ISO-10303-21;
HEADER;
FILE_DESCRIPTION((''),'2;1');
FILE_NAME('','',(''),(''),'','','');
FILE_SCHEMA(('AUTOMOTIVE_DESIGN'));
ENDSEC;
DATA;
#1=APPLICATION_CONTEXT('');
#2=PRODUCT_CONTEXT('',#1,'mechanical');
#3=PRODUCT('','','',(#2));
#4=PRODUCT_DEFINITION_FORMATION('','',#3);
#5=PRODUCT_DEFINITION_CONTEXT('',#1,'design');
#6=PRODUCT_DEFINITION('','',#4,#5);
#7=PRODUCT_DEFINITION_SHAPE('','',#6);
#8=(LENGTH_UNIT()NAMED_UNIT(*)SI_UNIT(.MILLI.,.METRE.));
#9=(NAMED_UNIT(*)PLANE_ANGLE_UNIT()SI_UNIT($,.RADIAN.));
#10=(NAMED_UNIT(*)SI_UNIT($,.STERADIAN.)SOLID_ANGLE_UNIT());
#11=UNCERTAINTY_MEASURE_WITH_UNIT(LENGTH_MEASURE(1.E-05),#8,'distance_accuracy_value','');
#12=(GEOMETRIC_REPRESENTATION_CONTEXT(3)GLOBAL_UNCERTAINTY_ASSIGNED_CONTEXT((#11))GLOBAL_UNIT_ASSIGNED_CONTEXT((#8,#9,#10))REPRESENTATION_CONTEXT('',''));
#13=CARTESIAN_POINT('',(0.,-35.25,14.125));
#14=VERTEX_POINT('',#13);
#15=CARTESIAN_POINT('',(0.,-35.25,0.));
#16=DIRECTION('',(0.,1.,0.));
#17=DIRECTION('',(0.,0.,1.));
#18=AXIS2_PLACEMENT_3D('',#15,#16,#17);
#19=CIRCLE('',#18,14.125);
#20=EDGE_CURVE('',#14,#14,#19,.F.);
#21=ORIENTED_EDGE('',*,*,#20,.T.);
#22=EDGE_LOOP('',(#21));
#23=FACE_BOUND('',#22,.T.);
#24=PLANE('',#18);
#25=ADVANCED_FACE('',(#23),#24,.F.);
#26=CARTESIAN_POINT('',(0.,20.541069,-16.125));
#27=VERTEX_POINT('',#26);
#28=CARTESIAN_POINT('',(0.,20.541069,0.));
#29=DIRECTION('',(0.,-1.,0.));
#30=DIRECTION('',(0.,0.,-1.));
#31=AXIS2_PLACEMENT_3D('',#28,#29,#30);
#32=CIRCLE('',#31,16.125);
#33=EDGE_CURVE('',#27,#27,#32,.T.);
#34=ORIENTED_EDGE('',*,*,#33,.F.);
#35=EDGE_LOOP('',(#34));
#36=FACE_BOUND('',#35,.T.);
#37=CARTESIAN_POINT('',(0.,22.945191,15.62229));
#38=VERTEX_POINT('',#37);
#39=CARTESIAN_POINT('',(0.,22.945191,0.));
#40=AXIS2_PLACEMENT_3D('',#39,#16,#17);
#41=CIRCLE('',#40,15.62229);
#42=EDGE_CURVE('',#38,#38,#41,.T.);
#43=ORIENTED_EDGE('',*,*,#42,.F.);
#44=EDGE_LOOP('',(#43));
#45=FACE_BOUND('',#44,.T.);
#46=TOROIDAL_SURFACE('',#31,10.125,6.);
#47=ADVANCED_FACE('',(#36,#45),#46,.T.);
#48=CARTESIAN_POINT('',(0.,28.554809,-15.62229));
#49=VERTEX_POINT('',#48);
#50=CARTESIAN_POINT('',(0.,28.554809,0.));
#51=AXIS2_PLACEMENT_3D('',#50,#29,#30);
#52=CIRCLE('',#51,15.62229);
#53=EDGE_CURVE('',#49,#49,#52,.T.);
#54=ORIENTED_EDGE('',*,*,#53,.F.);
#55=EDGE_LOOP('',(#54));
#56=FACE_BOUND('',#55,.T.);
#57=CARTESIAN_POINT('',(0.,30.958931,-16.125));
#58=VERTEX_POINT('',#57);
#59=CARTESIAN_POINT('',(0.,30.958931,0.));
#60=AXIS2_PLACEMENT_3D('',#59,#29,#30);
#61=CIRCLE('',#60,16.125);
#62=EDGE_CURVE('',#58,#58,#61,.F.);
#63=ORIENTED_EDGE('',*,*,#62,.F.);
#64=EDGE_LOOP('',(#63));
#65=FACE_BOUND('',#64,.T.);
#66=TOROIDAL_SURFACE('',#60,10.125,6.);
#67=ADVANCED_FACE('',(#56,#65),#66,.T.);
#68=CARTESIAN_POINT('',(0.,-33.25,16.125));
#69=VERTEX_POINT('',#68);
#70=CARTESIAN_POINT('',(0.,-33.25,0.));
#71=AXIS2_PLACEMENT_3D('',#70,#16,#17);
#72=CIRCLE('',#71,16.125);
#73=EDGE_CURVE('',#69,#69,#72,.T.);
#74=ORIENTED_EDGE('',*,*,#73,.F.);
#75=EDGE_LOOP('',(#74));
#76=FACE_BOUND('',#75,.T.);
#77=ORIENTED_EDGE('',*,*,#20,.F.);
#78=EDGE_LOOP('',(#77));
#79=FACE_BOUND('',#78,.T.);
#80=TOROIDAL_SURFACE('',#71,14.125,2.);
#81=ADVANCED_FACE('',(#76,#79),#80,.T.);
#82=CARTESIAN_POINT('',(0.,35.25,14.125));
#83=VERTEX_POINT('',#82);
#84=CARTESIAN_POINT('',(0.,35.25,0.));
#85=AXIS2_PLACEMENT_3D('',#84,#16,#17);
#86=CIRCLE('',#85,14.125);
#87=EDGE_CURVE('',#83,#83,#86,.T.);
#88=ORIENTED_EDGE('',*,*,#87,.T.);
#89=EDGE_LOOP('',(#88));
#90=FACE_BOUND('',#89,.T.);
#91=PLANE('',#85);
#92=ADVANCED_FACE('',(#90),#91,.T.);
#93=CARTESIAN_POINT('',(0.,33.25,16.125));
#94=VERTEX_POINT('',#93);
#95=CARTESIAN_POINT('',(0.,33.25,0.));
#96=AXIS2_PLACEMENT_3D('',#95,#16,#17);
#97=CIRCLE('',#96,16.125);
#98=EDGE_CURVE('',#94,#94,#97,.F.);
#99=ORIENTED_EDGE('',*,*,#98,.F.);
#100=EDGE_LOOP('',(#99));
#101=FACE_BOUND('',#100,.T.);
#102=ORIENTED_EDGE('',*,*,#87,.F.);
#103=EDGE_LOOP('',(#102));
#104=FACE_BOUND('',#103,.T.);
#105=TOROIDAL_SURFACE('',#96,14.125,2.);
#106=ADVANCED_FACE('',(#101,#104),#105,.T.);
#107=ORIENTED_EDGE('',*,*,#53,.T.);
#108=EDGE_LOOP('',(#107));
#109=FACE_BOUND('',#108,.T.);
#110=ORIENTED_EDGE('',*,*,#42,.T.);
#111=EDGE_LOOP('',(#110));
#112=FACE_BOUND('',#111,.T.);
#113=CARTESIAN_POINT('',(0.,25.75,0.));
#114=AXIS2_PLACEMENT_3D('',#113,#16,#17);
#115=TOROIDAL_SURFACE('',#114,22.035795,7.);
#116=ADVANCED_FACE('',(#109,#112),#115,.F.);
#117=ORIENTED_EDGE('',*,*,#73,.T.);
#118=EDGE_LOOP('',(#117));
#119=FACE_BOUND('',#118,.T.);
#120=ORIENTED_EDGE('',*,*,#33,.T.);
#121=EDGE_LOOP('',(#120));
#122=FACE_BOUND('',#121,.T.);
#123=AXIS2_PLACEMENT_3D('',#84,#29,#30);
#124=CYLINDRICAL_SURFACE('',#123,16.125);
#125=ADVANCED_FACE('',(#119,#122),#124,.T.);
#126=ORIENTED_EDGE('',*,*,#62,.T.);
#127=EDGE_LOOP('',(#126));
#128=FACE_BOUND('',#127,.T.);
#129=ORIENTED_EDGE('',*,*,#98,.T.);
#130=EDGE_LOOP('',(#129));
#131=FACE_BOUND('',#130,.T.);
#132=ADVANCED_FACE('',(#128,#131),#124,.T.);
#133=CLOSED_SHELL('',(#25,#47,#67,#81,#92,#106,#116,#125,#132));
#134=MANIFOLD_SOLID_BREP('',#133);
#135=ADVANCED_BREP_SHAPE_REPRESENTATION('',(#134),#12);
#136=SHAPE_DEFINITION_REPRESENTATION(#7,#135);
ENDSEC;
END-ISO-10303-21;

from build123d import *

# Parameters (mm, degrees)
SKETCH1_R           = 16.125
BOSS_EXTRUDE1_DEPTH = 35.25
FILLET1_R           = 2
FILLET2_R           = 6


with BuildPart() as part:
    # Sketch1 → Boss-Extrude1 (new, symmetric)
    with BuildSketch(Plane(origin=(0, 0, 0), x_dir=(1, 0, 0), z_dir=(0, 1, 0))):
        with Locations(Location((0, 0, 0), (0, 0, 270))):
            Circle(SKETCH1_R)
    extrude(amount=BOSS_EXTRUDE1_DEPTH, both=True)

    # Fillet1
    fillet1_edges = [part.edges().sort_by_distance(p)[0] for p in [
        (0, -35.25, -16.125),
        (0, 35.25, -16.125),
    ]]
    fillet(fillet1_edges, radius=FILLET1_R)

    # Sketch2 → Cut-Revolve1 (revolve, cut)
    with BuildSketch(Plane.XY, mode=Mode.PRIVATE) as cut_revolve1_sk:
        with BuildLine():
            ThreePointArc((16.125, 22), (15.035795209, 25.75), (16.125, 29.5))
            Line((16.125, 29.5), (16.125, 22))
        make_face()
    revolve(cut_revolve1_sk.sketch.rotate(Axis((0, 35.25, 0), (0, -1, 0)), 90), axis=Axis((0, 35.25, 0), (0, -1, 0)), mode=Mode.SUBTRACT)

    # Fillet2
    fillet2_edges = [part.edges().sort_by_distance(p)[0] for p in [
        (0, 29.5, -16.125),
        (0, 22, -16.125),
    ]]
    fillet(fillet2_edges, radius=FILLET2_R)


solid = part.part
